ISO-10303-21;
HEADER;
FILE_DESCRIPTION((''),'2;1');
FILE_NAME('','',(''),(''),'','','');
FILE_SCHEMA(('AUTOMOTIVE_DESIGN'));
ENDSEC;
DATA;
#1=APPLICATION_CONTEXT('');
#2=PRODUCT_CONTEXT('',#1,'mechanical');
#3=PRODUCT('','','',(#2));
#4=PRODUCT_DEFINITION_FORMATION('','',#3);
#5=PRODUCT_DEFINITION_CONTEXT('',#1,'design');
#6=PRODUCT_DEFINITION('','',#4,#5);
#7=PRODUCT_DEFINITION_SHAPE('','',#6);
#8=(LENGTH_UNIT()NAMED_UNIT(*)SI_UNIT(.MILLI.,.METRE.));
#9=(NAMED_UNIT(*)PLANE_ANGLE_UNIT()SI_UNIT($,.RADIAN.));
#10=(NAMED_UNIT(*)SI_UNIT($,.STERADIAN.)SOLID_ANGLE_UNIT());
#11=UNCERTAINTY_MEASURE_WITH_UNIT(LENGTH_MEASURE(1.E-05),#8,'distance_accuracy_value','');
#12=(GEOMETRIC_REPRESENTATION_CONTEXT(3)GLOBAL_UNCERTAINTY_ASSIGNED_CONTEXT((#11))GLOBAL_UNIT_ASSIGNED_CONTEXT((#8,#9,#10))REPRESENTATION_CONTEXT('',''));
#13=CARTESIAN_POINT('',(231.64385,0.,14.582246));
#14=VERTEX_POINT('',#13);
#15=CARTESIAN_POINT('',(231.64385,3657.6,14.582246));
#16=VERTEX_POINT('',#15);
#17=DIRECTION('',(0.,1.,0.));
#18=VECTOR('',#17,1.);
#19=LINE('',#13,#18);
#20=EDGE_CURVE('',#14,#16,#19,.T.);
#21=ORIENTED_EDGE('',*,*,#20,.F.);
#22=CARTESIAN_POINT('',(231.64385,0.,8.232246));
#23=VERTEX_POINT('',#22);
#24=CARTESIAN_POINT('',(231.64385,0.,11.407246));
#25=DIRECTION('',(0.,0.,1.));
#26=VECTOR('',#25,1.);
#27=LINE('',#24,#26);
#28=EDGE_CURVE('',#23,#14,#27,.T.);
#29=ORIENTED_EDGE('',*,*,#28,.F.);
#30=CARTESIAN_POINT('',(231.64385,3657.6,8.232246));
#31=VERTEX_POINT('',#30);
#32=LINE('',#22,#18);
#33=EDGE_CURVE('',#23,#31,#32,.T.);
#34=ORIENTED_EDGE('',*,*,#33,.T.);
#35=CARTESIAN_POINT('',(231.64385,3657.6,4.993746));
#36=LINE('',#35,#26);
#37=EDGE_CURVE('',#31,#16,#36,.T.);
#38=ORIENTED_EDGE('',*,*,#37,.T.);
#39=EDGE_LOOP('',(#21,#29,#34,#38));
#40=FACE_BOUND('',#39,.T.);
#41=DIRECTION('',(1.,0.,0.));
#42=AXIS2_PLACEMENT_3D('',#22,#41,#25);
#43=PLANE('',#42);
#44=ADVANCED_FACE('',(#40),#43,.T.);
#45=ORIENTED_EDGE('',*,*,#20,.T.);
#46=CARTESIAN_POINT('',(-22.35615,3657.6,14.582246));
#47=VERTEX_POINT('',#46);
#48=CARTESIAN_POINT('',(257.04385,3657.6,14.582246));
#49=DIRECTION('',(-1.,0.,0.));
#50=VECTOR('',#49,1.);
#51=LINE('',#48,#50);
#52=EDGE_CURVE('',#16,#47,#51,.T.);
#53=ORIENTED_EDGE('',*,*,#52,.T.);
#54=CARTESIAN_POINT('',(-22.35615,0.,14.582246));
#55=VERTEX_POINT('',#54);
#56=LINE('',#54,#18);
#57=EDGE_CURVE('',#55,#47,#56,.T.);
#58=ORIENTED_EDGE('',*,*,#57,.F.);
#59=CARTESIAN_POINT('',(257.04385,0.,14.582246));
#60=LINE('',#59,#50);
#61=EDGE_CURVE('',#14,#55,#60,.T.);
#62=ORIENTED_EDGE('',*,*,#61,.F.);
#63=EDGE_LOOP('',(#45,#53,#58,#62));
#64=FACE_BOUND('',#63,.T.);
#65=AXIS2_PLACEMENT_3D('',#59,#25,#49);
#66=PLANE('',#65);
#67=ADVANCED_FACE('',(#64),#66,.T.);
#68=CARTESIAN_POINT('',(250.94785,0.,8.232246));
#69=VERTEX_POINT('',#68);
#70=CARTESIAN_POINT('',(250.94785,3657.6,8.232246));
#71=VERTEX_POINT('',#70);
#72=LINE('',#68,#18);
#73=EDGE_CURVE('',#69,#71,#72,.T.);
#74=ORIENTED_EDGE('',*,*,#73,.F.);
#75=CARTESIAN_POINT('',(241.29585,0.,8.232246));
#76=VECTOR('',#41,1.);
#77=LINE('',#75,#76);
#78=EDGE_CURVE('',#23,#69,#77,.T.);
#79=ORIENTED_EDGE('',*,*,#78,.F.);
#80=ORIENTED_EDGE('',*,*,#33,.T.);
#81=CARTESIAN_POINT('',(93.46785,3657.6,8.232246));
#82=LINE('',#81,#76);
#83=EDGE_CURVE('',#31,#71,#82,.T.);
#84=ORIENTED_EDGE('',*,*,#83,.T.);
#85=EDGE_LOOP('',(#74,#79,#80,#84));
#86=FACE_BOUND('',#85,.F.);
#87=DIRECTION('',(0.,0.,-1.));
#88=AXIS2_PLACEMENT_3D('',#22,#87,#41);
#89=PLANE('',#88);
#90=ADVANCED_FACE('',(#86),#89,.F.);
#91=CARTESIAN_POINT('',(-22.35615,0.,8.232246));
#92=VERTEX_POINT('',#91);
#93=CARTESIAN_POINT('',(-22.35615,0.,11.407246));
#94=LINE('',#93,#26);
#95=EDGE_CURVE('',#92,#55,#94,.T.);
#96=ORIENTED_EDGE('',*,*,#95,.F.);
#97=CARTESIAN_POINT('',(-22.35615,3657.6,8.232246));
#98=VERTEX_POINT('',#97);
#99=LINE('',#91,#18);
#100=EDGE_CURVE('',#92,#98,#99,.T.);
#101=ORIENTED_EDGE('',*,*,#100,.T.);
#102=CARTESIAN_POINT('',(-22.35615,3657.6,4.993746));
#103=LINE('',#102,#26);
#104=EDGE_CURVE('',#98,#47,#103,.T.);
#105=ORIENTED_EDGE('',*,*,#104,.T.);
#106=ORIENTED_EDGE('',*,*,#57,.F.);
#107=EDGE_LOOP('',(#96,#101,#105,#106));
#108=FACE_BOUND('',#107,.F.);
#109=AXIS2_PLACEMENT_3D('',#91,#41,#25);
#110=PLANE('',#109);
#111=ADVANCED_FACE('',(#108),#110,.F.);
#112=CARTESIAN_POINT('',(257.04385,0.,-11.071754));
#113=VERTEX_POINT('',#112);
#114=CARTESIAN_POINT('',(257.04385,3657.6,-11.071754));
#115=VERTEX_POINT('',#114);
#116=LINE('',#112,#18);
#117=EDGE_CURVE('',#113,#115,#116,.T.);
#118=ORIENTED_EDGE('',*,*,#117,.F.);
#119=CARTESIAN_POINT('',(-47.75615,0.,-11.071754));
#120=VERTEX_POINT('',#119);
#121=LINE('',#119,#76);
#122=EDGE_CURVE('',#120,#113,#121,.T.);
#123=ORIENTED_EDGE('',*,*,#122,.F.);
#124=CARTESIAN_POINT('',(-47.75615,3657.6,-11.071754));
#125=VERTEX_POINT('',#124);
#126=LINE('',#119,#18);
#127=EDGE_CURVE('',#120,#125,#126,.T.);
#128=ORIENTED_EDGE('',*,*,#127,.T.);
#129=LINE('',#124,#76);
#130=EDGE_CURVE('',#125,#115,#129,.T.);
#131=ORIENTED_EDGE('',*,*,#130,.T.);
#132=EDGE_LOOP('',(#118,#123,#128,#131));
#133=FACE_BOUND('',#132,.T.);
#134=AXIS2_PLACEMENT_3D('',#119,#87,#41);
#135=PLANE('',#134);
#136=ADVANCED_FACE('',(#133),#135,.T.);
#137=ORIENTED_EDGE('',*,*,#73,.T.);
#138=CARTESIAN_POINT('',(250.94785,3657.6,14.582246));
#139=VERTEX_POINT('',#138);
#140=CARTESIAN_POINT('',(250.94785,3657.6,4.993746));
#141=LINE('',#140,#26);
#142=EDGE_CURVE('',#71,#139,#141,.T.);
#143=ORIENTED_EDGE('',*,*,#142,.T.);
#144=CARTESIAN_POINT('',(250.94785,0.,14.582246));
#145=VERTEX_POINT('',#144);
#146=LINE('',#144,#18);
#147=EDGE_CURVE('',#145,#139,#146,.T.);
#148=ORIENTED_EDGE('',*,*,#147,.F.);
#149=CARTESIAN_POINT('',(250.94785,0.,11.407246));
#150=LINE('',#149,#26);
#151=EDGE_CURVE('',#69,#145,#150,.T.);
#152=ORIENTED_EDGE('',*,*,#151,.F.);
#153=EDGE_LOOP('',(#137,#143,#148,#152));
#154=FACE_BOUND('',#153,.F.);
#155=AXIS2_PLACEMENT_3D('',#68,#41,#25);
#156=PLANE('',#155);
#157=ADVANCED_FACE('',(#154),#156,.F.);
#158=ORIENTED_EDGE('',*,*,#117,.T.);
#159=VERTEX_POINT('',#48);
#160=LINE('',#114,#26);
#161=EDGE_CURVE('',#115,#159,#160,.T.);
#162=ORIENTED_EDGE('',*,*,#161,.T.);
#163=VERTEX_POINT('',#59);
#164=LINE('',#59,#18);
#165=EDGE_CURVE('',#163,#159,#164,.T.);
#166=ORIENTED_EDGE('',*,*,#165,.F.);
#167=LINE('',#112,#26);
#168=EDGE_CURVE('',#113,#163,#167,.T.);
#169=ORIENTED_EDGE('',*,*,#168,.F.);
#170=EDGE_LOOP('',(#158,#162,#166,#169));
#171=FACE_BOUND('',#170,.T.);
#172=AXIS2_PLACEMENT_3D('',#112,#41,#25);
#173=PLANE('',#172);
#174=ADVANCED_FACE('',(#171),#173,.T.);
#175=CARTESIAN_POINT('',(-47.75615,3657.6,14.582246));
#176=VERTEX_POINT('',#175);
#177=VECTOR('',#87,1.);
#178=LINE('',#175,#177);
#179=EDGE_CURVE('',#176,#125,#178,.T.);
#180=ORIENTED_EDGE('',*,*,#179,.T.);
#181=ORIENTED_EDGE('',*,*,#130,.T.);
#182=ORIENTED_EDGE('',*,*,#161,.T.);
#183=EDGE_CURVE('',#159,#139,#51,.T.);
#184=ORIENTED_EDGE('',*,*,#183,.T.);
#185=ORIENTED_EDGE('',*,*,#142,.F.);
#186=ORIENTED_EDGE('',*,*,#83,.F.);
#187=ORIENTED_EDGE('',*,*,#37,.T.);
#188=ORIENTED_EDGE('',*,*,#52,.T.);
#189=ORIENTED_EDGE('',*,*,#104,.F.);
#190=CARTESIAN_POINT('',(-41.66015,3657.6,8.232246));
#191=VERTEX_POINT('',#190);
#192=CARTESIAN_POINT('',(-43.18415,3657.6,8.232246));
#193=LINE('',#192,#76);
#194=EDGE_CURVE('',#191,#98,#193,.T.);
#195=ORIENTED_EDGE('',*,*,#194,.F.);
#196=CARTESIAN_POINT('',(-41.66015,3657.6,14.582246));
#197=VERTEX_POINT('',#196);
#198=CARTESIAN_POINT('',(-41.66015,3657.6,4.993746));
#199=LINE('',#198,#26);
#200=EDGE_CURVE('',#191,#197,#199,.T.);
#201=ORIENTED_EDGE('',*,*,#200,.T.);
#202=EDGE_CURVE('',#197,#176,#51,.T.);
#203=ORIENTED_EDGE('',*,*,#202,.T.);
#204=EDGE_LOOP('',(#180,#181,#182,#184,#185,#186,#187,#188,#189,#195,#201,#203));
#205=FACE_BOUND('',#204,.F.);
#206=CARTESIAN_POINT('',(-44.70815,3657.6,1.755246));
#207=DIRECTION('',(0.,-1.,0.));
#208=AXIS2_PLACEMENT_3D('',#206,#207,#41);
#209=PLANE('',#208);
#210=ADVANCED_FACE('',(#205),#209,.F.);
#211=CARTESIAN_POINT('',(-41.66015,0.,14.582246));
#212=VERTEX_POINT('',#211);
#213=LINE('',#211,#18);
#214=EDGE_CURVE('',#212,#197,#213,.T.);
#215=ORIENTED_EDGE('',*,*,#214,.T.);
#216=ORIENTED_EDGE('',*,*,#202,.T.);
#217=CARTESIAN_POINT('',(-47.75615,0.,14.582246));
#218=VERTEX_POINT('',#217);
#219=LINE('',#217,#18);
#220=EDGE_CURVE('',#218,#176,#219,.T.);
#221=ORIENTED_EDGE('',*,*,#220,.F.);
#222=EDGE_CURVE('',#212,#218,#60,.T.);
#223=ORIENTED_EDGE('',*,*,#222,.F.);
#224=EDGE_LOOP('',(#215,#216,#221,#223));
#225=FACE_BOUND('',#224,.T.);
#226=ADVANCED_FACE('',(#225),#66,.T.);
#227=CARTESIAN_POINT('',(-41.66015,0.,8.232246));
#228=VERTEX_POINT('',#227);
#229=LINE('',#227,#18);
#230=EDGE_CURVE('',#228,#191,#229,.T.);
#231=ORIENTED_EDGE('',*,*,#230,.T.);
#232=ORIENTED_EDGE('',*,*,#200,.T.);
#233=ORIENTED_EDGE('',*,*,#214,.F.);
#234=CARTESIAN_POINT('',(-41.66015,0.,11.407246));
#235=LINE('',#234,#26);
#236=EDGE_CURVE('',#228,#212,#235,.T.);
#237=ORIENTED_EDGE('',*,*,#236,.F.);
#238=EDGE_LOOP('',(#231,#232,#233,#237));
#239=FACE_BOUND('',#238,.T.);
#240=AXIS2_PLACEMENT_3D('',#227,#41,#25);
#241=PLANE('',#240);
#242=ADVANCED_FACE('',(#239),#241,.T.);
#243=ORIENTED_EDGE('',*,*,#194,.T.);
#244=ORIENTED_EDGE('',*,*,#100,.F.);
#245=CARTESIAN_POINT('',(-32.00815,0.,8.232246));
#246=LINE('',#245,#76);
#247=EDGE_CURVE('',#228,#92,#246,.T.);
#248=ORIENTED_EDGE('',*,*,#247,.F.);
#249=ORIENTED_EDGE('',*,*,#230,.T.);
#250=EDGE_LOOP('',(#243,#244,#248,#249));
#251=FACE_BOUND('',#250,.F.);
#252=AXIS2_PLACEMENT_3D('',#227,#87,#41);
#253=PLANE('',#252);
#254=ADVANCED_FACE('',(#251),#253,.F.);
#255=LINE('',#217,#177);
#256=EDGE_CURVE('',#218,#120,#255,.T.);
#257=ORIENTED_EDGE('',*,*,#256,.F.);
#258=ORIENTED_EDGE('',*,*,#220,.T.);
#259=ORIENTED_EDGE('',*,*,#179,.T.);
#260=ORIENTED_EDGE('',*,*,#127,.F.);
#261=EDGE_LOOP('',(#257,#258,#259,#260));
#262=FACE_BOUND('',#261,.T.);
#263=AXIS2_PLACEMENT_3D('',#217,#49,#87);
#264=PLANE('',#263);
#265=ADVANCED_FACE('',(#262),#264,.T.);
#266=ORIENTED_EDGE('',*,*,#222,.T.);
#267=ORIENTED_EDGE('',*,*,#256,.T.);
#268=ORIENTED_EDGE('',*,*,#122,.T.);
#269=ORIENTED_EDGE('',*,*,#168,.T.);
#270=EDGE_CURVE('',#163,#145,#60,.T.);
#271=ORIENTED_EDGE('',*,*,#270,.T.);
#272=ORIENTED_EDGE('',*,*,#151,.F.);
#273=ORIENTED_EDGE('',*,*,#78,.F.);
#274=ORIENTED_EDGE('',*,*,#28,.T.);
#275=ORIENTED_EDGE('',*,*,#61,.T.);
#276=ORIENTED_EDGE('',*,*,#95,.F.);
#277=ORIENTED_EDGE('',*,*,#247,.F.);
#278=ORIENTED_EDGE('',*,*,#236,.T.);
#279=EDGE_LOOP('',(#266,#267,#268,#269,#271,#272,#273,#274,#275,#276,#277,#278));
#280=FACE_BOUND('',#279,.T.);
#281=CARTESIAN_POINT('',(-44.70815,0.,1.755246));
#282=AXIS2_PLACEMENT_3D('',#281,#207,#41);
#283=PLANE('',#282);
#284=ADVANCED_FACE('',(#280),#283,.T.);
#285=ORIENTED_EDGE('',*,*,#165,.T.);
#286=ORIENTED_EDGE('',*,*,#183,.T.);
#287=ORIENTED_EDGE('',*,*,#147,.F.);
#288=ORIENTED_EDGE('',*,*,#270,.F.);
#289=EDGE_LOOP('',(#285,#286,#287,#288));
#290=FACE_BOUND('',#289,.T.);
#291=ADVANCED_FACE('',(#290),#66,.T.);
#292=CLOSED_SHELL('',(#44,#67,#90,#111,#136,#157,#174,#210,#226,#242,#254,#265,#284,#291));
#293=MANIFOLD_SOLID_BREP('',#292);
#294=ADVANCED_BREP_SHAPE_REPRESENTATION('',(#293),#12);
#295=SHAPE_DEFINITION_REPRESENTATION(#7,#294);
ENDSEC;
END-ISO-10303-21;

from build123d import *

# Parameters (mm, degrees)
F0_W     = 19.304
F0_H     = 6.35
F0_H_2   = 19.304
F1_DEPTH = 3657.6
F2_W     = 19.304
F2_H     = 6.35
F3_DEPTH = 3657.601


with BuildPart() as f1:
    # F0 (on Front) → F1 (new body)
    with BuildSketch(Plane.XZ):
        Polygon((-41.66015, 14.582246), (-47.75615, 14.582246), (-47.75615, -11.071754), (-41.66015, -11.071754), (-41.66015, 8.232246), align=None)
        with Locations((-32.00815, 11.407246)):
            Rectangle(F0_W, F0_H)
        Polygon((231.64385, 14.582246), (-22.35615, 14.582246), (-22.35615, 8.232246), (-22.35615, -11.071754), (231.64385, -11.071754), (231.64385, 8.232246), align=None)
        with Locations((-32.00815, -1.419754)):
            Rectangle(F0_W, F0_H_2)
        with Locations((241.29585, 11.407246)):
            Rectangle(F0_W, F0_H)
        Polygon((257.04385, 14.582246), (250.94785, 14.582246), (250.94785, 8.232246), (250.94785, -11.071754), (257.04385, -11.071754), align=None)
        with Locations((241.29585, -1.419754)):
            Rectangle(F0_W, F0_H_2)
    extrude(amount=-F1_DEPTH)

    # F2 (on face) + F0 (on Front) → F3 (cut, through all)
    with BuildSketch(Plane.XZ):
        with Locations((-32.00815, 11.407246)):
            Rectangle(F2_W, F2_H)
    with BuildSketch(Plane.XZ):
        with Locations((241.29585, 11.407246)):
            Rectangle(F0_W, F0_H)
    extrude(amount=-F3_DEPTH, mode=Mode.SUBTRACT)


solid = f1.part
